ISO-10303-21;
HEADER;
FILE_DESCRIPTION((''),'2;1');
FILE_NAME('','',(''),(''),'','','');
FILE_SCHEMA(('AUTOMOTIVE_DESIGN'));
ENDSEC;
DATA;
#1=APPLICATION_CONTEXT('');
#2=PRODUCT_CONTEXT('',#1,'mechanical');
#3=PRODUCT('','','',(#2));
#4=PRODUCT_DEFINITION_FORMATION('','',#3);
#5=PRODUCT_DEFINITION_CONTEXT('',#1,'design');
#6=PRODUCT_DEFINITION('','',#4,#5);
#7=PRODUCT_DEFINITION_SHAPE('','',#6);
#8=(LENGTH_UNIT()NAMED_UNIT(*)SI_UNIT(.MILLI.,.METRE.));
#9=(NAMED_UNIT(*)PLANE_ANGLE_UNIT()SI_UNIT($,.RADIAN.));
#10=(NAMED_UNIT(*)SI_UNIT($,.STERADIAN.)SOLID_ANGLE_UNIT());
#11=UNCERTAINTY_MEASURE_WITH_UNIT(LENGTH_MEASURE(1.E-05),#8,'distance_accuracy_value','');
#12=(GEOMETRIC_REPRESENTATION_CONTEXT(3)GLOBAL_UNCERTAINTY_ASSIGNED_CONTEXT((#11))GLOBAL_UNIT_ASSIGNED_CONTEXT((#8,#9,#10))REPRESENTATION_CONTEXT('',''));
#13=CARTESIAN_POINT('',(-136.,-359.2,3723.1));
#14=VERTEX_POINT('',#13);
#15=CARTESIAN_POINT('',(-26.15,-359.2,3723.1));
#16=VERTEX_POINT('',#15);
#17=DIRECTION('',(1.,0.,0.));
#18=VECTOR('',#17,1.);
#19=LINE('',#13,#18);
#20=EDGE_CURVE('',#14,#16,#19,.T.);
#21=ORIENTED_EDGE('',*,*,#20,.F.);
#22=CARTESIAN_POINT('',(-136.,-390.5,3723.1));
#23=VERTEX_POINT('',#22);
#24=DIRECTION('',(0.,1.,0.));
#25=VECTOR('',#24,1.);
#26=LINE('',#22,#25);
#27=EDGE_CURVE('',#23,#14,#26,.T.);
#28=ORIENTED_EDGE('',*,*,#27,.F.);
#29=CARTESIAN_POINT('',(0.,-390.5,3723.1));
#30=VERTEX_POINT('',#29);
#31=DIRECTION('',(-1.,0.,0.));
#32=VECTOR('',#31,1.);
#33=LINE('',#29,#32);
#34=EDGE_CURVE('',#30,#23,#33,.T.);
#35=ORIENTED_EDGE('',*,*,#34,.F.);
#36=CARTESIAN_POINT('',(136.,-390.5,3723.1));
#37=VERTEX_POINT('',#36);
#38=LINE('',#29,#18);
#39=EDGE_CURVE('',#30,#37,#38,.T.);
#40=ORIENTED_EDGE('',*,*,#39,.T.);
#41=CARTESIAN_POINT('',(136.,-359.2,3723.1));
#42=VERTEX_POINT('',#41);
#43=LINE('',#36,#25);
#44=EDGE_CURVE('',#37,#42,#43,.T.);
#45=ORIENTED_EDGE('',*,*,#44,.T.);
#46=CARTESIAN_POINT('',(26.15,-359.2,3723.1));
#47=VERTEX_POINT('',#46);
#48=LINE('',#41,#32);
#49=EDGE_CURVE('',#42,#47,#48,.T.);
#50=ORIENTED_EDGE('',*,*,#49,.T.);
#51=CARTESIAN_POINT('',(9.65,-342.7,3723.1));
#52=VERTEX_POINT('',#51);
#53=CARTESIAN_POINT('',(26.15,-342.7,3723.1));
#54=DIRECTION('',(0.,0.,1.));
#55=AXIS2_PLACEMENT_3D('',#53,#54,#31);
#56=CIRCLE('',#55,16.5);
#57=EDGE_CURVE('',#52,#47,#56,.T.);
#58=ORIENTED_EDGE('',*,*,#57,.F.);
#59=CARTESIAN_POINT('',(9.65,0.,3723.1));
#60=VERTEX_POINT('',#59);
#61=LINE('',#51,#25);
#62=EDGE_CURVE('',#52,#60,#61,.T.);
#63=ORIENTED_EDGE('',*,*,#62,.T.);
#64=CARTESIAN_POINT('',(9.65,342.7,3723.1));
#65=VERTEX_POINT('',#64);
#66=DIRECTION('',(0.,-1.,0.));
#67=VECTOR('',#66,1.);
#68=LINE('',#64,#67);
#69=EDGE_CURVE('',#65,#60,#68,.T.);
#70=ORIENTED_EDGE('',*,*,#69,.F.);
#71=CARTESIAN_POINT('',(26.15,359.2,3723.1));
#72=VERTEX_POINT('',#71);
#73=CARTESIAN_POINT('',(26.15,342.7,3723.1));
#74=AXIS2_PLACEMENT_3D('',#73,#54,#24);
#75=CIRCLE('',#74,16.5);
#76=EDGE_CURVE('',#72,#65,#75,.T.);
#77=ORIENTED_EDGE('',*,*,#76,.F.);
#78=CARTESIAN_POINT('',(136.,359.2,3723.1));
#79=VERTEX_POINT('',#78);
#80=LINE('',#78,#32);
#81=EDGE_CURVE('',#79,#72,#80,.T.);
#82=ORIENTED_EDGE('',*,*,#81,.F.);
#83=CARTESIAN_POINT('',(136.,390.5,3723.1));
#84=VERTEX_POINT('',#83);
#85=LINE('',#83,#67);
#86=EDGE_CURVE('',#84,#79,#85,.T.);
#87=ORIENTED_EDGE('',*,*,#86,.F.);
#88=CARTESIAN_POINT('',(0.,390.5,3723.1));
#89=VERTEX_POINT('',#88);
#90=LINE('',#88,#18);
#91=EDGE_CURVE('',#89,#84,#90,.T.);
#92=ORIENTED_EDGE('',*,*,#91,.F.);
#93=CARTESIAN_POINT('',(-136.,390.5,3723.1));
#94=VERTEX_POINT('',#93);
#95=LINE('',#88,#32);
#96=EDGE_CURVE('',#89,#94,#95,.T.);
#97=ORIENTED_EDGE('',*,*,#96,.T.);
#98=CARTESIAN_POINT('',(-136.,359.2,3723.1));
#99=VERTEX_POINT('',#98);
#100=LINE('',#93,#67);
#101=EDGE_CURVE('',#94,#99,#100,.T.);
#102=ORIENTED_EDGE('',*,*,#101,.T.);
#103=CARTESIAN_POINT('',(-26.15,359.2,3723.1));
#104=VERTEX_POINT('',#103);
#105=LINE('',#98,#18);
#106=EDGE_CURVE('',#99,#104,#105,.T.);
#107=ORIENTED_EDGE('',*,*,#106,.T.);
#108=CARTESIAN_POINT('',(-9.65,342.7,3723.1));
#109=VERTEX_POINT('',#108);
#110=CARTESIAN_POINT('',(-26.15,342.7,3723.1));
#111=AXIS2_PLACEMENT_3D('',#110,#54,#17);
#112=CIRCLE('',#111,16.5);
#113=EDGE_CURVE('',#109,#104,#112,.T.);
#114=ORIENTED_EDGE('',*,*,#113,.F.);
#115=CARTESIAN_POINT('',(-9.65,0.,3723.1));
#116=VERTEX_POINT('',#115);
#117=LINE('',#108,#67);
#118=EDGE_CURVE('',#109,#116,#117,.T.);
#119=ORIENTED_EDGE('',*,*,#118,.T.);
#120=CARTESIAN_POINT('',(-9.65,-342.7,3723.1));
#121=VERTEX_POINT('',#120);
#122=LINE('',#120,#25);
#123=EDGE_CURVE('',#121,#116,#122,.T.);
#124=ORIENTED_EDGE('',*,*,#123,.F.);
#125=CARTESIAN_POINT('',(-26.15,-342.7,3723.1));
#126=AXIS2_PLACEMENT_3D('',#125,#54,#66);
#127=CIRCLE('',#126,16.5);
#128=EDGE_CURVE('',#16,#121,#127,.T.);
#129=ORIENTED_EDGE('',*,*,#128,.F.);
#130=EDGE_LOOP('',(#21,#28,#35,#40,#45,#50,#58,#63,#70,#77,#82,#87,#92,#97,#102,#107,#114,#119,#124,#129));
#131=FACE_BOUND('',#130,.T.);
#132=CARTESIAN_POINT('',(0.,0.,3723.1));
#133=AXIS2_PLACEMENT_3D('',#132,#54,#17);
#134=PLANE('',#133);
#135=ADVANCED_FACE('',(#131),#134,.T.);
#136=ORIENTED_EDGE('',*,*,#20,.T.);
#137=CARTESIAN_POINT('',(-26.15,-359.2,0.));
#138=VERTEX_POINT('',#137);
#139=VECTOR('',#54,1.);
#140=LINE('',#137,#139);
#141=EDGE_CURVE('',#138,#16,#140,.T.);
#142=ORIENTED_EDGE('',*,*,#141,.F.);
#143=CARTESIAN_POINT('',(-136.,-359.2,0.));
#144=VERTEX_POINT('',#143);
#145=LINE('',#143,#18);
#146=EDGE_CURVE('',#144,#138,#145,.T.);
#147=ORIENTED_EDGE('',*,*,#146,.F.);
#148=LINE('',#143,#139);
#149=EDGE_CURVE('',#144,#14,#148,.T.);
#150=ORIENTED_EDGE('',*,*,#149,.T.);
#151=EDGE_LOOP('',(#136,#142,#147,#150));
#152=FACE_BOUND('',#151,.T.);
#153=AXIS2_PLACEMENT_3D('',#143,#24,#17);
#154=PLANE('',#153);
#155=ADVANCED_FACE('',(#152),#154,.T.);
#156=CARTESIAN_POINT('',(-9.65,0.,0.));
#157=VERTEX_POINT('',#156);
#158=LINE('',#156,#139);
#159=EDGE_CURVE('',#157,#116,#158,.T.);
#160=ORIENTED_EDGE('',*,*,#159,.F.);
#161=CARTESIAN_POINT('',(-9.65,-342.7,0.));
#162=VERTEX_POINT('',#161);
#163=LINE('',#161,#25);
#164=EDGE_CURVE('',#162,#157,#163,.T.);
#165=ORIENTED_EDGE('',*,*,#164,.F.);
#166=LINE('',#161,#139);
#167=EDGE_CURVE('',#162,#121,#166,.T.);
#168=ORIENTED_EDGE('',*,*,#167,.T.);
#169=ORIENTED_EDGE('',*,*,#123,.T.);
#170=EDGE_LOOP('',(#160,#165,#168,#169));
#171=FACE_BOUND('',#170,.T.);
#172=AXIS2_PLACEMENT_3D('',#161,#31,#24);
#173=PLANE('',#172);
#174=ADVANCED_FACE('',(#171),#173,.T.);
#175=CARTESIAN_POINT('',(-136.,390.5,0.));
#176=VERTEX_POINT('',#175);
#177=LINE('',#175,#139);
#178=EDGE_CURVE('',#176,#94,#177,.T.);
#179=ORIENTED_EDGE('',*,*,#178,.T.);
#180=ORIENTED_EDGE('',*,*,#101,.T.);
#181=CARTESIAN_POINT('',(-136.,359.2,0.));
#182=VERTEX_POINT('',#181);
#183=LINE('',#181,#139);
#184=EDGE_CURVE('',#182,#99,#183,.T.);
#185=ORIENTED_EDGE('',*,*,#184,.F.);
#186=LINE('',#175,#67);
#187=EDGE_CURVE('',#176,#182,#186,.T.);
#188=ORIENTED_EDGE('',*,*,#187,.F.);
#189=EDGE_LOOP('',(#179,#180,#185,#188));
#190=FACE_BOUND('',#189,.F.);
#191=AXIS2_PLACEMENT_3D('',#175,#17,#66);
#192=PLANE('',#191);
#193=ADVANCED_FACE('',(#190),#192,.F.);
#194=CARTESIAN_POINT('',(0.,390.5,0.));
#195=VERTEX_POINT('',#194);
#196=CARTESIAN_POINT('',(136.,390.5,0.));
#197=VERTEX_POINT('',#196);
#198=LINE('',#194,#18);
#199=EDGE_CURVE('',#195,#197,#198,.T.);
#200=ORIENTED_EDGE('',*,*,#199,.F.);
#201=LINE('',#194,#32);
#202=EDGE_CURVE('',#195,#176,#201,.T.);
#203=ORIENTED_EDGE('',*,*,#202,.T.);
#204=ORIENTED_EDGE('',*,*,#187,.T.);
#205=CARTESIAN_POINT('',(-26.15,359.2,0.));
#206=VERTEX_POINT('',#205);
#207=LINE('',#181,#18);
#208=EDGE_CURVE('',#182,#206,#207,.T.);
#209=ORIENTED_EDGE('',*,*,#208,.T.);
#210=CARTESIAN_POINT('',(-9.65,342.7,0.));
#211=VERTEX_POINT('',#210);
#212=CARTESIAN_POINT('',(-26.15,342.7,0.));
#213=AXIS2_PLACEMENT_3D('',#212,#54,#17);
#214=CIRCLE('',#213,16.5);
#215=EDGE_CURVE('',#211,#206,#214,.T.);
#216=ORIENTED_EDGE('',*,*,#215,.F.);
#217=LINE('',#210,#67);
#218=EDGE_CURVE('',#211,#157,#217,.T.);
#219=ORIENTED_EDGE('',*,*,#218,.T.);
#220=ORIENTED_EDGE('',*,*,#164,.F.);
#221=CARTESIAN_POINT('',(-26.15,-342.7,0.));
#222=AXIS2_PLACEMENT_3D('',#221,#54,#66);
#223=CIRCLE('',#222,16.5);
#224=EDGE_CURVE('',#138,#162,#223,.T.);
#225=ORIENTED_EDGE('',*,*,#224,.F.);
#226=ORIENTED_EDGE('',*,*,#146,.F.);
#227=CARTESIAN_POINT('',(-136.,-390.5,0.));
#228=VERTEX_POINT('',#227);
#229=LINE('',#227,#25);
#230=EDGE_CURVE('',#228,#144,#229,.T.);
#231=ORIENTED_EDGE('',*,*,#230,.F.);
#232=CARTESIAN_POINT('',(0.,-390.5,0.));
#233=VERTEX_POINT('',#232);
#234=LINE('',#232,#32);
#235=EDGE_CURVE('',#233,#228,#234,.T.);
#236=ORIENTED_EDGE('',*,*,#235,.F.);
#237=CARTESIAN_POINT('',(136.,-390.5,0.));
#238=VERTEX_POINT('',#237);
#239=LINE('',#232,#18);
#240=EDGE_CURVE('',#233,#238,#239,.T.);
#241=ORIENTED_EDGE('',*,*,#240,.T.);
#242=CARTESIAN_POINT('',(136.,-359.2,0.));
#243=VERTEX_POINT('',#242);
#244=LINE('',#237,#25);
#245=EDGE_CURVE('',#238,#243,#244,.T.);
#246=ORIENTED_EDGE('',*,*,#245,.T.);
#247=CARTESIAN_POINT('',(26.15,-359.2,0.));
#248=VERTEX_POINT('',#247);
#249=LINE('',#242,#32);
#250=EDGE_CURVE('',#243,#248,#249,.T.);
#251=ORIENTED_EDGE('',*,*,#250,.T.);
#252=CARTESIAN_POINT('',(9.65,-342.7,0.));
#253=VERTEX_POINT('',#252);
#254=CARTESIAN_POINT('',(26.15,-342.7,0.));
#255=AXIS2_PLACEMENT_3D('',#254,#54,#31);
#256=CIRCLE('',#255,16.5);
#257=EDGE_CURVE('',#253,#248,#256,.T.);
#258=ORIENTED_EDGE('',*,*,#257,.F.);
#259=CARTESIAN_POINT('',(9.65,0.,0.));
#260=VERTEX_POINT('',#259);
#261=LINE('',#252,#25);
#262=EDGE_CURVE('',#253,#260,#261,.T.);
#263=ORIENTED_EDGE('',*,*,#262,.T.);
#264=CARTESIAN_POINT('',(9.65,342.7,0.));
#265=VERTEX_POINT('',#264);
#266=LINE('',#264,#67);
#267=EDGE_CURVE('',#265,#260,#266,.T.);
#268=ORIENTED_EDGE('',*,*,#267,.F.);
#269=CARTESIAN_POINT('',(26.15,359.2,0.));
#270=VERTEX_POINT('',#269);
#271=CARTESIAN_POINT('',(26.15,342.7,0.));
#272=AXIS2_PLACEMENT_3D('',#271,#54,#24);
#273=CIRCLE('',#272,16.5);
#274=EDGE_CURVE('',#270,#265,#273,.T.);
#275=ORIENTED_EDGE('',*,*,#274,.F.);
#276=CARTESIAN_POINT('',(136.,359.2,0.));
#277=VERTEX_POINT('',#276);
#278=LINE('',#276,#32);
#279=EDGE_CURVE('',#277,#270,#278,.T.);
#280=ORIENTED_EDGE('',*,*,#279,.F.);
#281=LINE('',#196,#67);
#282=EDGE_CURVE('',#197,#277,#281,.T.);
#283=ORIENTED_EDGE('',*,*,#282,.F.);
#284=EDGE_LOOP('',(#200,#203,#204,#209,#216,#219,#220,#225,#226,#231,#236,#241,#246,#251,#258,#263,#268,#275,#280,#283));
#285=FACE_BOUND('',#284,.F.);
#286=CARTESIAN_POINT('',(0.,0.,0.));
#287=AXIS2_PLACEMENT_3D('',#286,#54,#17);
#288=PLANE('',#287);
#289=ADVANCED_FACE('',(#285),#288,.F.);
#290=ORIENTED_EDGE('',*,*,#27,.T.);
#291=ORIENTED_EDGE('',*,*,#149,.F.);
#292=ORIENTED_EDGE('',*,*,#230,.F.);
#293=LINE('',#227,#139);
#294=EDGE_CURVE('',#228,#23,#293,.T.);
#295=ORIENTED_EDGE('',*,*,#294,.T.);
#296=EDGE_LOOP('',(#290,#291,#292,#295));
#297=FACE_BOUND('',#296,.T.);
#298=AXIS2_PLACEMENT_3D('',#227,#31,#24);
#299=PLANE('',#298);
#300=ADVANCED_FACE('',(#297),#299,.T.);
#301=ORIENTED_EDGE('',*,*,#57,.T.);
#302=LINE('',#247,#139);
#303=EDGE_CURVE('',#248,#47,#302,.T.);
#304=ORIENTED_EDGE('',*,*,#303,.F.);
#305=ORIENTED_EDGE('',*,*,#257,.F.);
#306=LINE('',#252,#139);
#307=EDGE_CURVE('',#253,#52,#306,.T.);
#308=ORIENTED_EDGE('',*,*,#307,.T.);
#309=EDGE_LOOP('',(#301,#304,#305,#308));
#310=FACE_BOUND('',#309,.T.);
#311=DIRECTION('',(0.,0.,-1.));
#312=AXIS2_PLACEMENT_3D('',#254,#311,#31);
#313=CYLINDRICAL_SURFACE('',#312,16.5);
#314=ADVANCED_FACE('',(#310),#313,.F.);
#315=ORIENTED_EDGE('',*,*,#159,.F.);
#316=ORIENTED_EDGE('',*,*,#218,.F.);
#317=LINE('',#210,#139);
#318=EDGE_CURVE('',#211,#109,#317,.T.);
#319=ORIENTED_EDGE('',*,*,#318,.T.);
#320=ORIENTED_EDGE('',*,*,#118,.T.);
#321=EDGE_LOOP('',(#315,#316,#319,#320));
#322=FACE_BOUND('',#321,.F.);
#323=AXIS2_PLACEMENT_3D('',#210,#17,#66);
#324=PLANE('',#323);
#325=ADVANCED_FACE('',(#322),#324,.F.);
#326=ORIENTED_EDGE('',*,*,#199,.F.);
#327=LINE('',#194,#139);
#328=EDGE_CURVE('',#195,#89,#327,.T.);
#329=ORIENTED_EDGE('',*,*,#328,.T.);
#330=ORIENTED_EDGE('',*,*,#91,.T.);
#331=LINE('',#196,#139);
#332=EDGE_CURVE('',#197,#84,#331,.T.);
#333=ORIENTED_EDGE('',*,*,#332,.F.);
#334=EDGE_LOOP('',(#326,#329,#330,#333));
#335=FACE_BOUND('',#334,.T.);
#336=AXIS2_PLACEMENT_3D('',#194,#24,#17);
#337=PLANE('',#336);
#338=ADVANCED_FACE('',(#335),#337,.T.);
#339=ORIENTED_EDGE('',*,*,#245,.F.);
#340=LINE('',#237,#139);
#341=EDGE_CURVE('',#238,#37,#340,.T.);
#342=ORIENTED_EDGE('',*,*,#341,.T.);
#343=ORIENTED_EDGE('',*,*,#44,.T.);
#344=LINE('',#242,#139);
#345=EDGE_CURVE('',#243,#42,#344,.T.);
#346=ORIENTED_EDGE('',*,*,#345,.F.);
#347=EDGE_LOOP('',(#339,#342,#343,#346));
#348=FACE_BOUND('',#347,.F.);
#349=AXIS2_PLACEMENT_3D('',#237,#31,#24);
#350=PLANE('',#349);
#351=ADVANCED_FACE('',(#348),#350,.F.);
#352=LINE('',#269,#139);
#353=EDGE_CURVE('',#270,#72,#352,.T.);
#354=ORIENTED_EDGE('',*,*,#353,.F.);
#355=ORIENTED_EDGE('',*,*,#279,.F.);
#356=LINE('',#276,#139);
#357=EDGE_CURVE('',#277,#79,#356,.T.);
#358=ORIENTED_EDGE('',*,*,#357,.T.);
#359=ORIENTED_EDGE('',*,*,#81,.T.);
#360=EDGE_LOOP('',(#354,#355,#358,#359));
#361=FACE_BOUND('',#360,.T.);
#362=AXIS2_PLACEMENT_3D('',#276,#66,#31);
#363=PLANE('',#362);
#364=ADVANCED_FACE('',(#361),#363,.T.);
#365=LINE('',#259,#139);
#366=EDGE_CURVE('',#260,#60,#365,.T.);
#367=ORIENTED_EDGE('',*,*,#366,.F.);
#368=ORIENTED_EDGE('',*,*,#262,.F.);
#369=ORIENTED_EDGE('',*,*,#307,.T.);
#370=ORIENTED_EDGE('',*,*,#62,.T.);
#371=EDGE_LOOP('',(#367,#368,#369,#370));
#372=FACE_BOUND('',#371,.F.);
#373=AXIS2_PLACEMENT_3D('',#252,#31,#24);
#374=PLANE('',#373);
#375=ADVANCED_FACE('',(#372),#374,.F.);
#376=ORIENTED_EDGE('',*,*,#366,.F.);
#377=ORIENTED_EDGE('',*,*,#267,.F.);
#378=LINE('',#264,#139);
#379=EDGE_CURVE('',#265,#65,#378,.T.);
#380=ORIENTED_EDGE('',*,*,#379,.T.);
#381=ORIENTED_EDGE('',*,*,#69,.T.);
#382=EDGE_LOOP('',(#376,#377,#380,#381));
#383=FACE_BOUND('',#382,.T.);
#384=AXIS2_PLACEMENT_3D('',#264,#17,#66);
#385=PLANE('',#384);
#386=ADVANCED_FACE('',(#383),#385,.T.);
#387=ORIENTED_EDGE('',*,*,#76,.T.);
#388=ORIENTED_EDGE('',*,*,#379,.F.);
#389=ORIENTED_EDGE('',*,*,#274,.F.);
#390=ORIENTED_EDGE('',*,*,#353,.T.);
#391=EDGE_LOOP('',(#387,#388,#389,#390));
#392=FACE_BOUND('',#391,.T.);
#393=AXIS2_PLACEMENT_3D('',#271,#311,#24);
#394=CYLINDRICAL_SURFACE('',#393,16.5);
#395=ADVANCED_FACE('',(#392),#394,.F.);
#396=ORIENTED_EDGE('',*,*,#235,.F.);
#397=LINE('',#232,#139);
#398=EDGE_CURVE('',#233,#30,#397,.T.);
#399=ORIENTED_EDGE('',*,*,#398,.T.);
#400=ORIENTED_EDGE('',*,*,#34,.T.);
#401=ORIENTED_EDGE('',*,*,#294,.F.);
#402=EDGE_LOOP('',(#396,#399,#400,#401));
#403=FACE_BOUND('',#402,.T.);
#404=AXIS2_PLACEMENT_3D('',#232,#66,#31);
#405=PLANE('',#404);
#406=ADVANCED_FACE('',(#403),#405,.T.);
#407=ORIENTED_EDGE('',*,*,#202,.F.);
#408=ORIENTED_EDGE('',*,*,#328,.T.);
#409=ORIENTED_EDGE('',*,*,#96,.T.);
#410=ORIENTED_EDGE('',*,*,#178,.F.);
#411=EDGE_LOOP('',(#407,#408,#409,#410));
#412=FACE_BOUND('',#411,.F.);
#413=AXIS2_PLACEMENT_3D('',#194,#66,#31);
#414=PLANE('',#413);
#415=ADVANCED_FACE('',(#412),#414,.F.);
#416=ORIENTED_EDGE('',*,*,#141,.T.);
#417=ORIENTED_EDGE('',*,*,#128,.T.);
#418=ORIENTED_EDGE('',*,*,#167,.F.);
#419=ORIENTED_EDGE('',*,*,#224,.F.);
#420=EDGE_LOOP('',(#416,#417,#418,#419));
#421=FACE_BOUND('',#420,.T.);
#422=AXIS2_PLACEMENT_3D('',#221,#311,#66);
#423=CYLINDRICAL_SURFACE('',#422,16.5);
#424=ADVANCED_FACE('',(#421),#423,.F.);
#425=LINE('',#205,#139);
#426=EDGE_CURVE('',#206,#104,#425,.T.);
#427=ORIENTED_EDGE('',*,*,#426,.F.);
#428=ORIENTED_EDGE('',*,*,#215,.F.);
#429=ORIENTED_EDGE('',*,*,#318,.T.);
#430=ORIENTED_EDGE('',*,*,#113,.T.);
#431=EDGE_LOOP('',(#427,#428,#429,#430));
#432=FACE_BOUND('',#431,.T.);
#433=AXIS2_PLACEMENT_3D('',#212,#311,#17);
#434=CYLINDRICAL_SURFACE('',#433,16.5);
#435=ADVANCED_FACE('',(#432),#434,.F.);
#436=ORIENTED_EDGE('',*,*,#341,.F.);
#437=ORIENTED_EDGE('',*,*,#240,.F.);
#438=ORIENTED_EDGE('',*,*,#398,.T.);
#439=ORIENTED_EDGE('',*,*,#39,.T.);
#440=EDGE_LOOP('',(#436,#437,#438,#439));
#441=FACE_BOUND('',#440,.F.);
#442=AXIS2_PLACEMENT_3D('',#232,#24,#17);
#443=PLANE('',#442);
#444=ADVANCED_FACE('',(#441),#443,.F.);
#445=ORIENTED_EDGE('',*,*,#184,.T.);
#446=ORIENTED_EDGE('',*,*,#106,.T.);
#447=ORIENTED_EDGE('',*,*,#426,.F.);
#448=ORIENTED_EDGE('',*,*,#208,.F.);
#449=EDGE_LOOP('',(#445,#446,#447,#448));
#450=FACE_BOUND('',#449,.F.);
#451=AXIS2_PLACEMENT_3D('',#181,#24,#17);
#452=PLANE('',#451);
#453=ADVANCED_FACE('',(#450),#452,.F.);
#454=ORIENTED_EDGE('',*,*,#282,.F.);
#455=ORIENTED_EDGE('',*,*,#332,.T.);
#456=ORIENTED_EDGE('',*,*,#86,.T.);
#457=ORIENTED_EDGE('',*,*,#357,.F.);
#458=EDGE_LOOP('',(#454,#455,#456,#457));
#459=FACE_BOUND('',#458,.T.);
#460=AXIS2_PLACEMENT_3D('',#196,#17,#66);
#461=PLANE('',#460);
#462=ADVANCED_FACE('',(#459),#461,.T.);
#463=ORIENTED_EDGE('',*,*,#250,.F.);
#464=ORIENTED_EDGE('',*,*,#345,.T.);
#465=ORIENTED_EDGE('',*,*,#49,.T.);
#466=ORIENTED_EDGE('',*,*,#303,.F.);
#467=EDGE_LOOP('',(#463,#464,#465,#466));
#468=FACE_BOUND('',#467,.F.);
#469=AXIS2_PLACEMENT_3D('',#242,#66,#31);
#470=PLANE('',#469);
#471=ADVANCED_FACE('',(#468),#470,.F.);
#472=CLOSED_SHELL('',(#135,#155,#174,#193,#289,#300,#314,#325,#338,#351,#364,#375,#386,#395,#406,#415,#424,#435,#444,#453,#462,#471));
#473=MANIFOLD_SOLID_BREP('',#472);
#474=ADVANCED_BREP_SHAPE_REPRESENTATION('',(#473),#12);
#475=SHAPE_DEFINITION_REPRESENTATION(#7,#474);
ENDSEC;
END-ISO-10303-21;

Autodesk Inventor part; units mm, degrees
ref_plane "YZ Plane" through (0, 0, 0) normal (1, 0, 0) x (0, 1, 0)
ref_plane "Start plane" through (0, 0, 0) normal (0, 0, 1) x (1, 0, 0)
ref_plane "End plane" through (0, 0, 3723.1) normal (0, 0, 1) x (1, 0, 0)
sketch "Sketch" plane through (0, 0, 0) normal (0, 0, 1) x (1, 0, 0)
  line L0 (-136, -390.5) -> (-136, -359.2)
  line L1 (-136, -359.2) -> (-26.15, -359.2)
  line L2 (-9.65, -342.7) -> (-9.65, 0)
  line L3 (-9.65, 0) -> (0, 0) construction
  line L4 (0, 0) -> (0, -390.5) construction
  line L5 (0, -390.5) -> (-136, -390.5)
  line L6 (-60, 0) -> (80, 0) construction
  line L7 (0, -60) -> (0, 80) construction
  line L8 (136, -390.5) -> (136, -359.2)
  line L9 (136, -359.2) -> (26.15, -359.2)
  line L10 (9.65, -342.7) -> (9.65, 0)
  line L11 (9.65, 0) -> (0, 0) construction
  line L12 (0, -390.5) -> (136, -390.5)
  line L13 (-136, 390.5) -> (-136, 359.2)
  line L14 (-136, 359.2) -> (-26.15, 359.2)
  line L15 (-9.65, 342.7) -> (-9.65, 0)
  line L16 (0, 390.5) -> (-136, 390.5)
  line L17 (136, 390.5) -> (136, 359.2)
  line L18 (136, 359.2) -> (26.15, 359.2)
  line L19 (0, 390.5) -> (136, 390.5)
  line L20 (9.65, 342.7) -> (9.65, 0)
  arc A0 (-9.65, 342.7) -> (-26.15, 359.2) centre (-26.15, 342.7) ccw
  arc A1 (26.15, 359.2) -> (9.65, 342.7) centre (26.15, 342.7) ccw
  arc A2 (9.65, -342.7) -> (26.15, -359.2) centre (26.15, -342.7) ccw
  arc A3 (-26.15, -359.2) -> (-9.65, -342.7) centre (-26.15, -342.7) ccw
  line L21 (0, 108) -> (0, -88) construction
  line L22 (-88, 0) -> (108, 0) construction
  point P0 (-9.65, -359.2)
  point P1 (9.65, -359.2)
  point P2 (-9.65, 359.2)
  point P3 (9.65, 359.2)
  dimension "d1" = 390.5
  dimension "d2" = 31.3
  dimension "d3" = 136
  dimension "d4" = 9.65
  dimension "d10" = 16.5
extrude "Body" add sketch "Sketch" along normal up to surface (3723.1 mm away) from surface at 0
sketch "Sketch4" plane through (0, 0, 0) normal (0, 0, 1) x (1, 0, 0)
  line L0 (0, 0) -> (10, 0)
ref_plane "Work Plane3" through (0, 0, 0) normal (0, -1, 0) x (1, 0, 0)
sketch "Sketch5" plane through (0, 0, 0) normal (0, -1, 0) x (1, 0, 0)
  line L0 (-2, 0) -> (12, 0) projected
  line L1 (-2, 3723.1) -> (12, 3723.1) projected
  dimension "d14" = 3723.1
equation "\"d1\" = 0.5 * G_H"
equation "\"d2\" = G_T1"
equation "\"d3\" = 0.5 * G_W"
equation "\"d4\" = 0.5 * G_T"
equation "\"d10\" = G_IR"
equation "\"d5\" = G_L"
equation "\"G_W\" = 272"
equation "\"G_H\" = 781"
equation "\"G_T\" = 19.3"
equation "\"G_T1\" = 31.3"
equation "\"G_IR\" = 16.5"
equation "\"G_L\" = d14"
equation "\"G_OFFSET_START\" = 0"
equation "\"G_OFFSET_END\" = 0"
equation "\"d12\" = G_OFFSET_END + B_L"
equation "\"B_L\" = 3723.1"
properties part number "AS 3679-1990 - 760 UB - 244 - 3723.1" material "Steel, Mild"
